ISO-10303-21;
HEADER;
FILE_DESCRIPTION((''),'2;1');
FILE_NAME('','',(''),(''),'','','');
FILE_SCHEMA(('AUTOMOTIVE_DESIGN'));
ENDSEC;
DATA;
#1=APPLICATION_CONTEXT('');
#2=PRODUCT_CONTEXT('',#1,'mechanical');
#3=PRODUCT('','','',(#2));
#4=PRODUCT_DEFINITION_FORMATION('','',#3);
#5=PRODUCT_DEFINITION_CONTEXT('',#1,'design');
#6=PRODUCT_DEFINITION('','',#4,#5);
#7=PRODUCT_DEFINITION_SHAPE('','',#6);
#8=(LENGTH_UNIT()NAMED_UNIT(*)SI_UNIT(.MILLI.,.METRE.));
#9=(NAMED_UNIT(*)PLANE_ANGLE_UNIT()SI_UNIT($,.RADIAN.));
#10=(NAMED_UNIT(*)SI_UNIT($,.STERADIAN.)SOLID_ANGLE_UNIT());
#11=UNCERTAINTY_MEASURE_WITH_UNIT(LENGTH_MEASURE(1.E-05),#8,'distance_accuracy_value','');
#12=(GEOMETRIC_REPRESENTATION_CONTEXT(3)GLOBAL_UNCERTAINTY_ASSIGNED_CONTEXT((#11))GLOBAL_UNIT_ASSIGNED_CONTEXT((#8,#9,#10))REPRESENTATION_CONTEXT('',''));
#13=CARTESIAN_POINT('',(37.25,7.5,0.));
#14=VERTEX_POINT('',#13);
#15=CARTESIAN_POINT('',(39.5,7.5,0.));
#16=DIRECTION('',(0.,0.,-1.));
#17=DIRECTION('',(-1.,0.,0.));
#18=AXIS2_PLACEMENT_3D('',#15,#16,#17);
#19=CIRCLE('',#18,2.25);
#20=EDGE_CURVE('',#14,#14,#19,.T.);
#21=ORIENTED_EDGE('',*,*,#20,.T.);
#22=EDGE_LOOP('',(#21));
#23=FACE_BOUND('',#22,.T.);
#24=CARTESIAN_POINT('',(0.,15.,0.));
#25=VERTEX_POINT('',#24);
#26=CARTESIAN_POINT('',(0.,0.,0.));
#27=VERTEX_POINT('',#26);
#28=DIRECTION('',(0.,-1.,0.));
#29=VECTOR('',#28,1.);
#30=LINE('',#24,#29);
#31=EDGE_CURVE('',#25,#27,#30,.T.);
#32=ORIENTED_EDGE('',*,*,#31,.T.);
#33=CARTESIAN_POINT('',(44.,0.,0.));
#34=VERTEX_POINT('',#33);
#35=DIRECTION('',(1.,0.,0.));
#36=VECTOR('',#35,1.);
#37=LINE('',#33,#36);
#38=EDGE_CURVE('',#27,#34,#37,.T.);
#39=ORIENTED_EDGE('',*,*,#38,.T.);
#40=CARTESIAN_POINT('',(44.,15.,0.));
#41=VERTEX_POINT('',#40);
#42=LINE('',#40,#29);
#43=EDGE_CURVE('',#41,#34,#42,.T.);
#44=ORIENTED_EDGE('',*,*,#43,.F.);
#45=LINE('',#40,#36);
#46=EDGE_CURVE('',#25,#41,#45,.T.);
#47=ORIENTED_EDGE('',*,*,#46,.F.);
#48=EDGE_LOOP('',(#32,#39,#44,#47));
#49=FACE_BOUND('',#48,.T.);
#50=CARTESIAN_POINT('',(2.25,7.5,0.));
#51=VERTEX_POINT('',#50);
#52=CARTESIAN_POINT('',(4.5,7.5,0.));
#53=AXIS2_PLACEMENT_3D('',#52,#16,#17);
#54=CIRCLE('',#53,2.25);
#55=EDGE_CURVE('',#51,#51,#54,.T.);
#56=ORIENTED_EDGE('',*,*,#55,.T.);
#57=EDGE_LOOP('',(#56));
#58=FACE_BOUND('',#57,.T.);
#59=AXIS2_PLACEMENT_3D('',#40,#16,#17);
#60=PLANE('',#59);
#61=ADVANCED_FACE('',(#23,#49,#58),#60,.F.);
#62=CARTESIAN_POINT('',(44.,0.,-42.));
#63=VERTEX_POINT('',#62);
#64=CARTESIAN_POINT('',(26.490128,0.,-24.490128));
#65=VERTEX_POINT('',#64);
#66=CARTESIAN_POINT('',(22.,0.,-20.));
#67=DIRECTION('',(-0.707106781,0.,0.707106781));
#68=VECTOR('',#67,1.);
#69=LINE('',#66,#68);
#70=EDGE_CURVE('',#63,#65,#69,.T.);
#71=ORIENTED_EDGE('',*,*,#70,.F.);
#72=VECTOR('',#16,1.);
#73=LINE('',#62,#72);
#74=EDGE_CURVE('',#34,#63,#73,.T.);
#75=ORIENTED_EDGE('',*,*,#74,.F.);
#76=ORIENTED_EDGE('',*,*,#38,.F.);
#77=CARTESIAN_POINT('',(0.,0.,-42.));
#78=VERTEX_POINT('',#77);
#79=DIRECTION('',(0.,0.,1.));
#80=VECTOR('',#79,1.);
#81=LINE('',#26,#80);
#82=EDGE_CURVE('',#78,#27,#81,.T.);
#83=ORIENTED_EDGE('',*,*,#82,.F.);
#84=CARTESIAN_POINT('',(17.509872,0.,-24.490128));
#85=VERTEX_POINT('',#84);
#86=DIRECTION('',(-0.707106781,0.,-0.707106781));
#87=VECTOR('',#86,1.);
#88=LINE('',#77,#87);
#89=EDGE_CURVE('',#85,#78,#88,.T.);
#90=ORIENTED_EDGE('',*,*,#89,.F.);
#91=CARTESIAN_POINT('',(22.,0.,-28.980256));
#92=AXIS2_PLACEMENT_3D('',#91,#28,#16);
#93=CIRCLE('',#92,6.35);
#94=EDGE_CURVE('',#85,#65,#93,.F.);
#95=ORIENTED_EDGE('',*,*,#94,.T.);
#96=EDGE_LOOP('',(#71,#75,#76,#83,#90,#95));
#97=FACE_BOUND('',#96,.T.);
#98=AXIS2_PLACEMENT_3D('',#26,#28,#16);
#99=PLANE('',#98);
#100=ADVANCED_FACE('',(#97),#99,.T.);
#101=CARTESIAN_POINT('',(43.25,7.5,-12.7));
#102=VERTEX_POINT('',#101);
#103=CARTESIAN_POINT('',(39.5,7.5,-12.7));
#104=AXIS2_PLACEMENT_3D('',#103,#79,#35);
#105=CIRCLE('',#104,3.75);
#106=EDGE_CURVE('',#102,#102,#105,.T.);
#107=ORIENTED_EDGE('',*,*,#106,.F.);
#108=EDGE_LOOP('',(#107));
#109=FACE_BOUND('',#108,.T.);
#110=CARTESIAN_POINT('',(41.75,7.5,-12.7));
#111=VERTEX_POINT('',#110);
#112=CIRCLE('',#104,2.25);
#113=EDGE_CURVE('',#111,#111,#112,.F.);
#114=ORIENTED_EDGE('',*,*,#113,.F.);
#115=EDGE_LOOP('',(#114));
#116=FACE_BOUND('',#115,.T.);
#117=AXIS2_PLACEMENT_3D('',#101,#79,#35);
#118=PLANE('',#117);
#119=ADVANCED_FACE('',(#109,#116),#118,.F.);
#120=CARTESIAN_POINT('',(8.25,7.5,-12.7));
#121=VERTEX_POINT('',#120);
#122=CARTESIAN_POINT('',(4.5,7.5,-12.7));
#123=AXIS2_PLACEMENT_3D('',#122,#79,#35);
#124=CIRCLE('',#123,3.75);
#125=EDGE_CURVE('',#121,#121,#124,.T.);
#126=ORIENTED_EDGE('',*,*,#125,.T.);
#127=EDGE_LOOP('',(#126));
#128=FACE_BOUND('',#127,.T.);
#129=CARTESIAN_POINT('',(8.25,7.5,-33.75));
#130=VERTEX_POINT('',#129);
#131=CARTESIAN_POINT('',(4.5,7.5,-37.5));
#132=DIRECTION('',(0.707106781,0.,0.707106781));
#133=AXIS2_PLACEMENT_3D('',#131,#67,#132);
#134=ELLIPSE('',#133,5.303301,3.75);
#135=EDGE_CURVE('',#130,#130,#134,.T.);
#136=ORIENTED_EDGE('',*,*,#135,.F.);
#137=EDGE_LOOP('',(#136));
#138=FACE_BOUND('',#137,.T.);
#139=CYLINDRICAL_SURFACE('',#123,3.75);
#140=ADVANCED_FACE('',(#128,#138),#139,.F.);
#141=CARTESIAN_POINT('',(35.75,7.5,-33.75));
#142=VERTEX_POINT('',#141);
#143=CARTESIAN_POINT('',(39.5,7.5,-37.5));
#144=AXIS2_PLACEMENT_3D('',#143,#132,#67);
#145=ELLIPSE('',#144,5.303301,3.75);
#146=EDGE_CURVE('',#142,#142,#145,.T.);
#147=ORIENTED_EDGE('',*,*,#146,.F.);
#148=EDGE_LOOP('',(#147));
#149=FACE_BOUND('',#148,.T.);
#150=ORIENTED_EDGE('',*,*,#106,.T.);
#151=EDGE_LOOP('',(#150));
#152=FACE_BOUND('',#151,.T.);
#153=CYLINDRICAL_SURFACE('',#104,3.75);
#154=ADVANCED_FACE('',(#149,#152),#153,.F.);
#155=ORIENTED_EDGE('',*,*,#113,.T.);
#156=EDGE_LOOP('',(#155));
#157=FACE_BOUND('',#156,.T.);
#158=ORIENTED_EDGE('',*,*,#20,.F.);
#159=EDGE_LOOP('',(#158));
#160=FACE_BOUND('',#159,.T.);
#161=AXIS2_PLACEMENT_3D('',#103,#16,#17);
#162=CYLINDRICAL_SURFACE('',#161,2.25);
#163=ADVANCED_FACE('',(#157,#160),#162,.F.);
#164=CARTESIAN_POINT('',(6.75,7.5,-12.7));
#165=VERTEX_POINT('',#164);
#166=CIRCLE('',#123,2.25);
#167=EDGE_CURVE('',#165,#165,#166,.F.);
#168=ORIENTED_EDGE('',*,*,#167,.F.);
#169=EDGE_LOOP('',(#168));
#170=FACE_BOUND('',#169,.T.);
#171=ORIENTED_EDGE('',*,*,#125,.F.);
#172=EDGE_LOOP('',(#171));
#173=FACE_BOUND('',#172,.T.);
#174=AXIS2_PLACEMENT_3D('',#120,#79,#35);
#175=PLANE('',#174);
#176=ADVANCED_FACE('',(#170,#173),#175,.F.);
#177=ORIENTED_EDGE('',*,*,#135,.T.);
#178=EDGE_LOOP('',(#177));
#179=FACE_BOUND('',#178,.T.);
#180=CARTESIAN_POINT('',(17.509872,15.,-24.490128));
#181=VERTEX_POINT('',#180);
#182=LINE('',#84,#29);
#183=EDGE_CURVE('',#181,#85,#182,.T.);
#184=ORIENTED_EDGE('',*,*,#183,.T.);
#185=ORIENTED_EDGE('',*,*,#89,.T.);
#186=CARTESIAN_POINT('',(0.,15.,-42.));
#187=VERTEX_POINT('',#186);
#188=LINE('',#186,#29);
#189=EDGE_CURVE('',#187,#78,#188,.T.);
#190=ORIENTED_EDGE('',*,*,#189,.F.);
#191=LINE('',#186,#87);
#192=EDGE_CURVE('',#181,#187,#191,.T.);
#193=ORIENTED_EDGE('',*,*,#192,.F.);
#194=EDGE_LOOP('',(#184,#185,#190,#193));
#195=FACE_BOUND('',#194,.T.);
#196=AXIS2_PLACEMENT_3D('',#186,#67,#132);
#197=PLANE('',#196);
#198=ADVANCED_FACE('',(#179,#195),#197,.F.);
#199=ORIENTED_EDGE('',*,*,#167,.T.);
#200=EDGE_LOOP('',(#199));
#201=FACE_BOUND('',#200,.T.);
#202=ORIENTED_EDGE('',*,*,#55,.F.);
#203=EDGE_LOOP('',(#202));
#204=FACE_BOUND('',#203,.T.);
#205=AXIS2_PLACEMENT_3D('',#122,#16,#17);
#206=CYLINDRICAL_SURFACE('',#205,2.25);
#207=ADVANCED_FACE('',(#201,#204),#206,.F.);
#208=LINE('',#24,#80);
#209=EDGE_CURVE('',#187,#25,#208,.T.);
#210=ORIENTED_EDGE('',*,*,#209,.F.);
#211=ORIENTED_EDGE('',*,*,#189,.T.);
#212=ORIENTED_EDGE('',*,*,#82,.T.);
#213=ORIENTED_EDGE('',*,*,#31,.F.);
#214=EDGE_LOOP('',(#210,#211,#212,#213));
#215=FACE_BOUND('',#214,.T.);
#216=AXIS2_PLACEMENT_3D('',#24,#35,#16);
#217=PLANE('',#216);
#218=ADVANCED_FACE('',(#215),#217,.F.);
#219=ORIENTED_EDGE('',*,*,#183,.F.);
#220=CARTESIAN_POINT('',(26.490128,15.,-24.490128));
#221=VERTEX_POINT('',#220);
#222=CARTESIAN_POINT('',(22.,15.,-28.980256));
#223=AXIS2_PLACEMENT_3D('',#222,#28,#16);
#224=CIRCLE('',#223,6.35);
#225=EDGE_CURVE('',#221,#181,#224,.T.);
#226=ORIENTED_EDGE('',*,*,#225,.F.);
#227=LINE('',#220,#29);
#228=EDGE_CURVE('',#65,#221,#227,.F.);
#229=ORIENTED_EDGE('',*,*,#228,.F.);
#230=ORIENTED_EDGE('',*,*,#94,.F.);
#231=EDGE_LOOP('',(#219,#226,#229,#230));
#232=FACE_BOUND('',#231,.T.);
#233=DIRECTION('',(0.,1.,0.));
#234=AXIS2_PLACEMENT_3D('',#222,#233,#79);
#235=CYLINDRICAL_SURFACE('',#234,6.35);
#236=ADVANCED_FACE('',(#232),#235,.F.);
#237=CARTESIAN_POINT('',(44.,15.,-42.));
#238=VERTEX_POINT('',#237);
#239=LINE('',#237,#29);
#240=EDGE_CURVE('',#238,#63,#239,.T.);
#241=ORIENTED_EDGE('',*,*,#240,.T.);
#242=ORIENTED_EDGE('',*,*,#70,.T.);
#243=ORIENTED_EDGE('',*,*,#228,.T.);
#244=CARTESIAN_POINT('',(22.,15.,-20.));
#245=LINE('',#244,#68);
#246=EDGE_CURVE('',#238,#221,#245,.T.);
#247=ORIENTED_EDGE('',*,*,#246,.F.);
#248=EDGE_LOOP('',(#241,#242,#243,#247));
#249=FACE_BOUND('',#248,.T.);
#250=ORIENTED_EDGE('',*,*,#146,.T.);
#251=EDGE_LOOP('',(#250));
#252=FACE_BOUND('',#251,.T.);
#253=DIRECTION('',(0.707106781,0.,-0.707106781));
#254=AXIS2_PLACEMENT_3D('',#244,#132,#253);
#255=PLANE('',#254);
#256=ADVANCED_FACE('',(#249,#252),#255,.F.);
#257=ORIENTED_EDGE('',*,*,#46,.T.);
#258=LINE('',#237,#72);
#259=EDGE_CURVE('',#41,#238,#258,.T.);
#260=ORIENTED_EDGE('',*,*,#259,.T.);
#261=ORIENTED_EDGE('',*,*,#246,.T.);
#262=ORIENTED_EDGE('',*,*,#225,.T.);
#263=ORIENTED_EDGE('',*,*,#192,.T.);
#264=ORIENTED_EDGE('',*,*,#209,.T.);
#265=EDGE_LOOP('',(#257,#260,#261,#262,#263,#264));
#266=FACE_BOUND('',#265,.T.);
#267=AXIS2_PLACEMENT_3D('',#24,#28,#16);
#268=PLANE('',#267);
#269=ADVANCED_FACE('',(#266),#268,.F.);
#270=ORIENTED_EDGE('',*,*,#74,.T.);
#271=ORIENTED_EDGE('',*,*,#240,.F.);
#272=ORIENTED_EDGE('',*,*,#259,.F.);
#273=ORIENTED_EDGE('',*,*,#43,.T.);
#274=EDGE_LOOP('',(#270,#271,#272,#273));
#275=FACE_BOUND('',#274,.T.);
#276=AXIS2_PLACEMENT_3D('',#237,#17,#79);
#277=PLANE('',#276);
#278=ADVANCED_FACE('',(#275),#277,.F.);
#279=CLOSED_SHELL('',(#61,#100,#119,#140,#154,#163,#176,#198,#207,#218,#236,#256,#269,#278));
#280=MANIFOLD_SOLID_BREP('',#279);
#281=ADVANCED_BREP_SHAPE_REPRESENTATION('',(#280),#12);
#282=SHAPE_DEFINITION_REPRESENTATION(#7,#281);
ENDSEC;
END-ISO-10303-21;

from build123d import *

# Parameters (mm, degrees)
BOSS_EXTRUDE1_DEPTH            = 15
SKETCH11_W                     = 2.25
SKETCH11_H                     = 12.7
M4_CLEARANCE_HOLE5_AT_2_COUNT  = 2
M4_CLEARANCE_HOLE5_AT_2_PITCH  = 35
SKETCH13_W                     = 3.75
SKETCH13_H                     = 29.3
F_6_0MM_DOWEL_HOLE1_AT_2_COUNT = 2
F_6_0MM_DOWEL_HOLE1_AT_2_PITCH = 35
FILLET1_R                      = 6.35


with BuildPart() as part:
    # Sketch1 → Boss-Extrude1 (new body)
    with BuildSketch(Plane(origin=(0, 0, 0), x_dir=(1, 0, 0), z_dir=(0, 1, 0))):
        Polygon((0, 0), (0, 42), (22, 20), (44, 42), (44, 0), align=None)
    extrude(amount=BOSS_EXTRUDE1_DEPTH)

    # Sketch11 → M4 Clearance Hole5 (revolve, cut)
    with BuildSketch(Plane(origin=(39.5, 7.5, -12.7), x_dir=(0, 1, 0), z_dir=(1, 0, 0))):
        with Locations((1.125, 6.35)):
            Rectangle(SKETCH11_W, SKETCH11_H)
    m4_clearance_hole5 = revolve(axis=Axis((39.5, 7.5, -19.05), (0, 0, 1)), mode=Mode.SUBTRACT)

    # M4 Clearance Hole5 at 2: M4 Clearance Hole5 ×2
    with Locations(*[(-i * M4_CLEARANCE_HOLE5_AT_2_PITCH, 0, 0) for i in range(1, M4_CLEARANCE_HOLE5_AT_2_COUNT)]):
        add(m4_clearance_hole5, mode=Mode.SUBTRACT)

    # Sketch13 → Ø6.0mm Dowel Hole1 (revolve, cut)
    with BuildSketch(Plane(origin=(39.5, 7.5, -12.7), x_dir=(0, -1, 0), z_dir=(1, 0, 0))):
        with Locations((1.875, 14.65)):
            Rectangle(SKETCH13_W, SKETCH13_H)
    f_6_0mm_dowel_hole1 = revolve(axis=Axis((39.5, 7.5, -6.35), (0, 0, -1)), mode=Mode.SUBTRACT)

    # Ø6.0mm Dowel Hole1 at 2: Ø6.0mm Dowel Hole1 ×2
    with Locations(*[(-i * F_6_0MM_DOWEL_HOLE1_AT_2_PITCH, 0, 0) for i in range(1, F_6_0MM_DOWEL_HOLE1_AT_2_COUNT)]):
        add(f_6_0mm_dowel_hole1, mode=Mode.SUBTRACT)

    # Fillet1
    fillet1_edges = [part.edges().sort_by_distance(p)[0] for p in [
        (22, 7.5, -20),
    ]]
    fillet(fillet1_edges, radius=FILLET1_R)


solid = part.part
